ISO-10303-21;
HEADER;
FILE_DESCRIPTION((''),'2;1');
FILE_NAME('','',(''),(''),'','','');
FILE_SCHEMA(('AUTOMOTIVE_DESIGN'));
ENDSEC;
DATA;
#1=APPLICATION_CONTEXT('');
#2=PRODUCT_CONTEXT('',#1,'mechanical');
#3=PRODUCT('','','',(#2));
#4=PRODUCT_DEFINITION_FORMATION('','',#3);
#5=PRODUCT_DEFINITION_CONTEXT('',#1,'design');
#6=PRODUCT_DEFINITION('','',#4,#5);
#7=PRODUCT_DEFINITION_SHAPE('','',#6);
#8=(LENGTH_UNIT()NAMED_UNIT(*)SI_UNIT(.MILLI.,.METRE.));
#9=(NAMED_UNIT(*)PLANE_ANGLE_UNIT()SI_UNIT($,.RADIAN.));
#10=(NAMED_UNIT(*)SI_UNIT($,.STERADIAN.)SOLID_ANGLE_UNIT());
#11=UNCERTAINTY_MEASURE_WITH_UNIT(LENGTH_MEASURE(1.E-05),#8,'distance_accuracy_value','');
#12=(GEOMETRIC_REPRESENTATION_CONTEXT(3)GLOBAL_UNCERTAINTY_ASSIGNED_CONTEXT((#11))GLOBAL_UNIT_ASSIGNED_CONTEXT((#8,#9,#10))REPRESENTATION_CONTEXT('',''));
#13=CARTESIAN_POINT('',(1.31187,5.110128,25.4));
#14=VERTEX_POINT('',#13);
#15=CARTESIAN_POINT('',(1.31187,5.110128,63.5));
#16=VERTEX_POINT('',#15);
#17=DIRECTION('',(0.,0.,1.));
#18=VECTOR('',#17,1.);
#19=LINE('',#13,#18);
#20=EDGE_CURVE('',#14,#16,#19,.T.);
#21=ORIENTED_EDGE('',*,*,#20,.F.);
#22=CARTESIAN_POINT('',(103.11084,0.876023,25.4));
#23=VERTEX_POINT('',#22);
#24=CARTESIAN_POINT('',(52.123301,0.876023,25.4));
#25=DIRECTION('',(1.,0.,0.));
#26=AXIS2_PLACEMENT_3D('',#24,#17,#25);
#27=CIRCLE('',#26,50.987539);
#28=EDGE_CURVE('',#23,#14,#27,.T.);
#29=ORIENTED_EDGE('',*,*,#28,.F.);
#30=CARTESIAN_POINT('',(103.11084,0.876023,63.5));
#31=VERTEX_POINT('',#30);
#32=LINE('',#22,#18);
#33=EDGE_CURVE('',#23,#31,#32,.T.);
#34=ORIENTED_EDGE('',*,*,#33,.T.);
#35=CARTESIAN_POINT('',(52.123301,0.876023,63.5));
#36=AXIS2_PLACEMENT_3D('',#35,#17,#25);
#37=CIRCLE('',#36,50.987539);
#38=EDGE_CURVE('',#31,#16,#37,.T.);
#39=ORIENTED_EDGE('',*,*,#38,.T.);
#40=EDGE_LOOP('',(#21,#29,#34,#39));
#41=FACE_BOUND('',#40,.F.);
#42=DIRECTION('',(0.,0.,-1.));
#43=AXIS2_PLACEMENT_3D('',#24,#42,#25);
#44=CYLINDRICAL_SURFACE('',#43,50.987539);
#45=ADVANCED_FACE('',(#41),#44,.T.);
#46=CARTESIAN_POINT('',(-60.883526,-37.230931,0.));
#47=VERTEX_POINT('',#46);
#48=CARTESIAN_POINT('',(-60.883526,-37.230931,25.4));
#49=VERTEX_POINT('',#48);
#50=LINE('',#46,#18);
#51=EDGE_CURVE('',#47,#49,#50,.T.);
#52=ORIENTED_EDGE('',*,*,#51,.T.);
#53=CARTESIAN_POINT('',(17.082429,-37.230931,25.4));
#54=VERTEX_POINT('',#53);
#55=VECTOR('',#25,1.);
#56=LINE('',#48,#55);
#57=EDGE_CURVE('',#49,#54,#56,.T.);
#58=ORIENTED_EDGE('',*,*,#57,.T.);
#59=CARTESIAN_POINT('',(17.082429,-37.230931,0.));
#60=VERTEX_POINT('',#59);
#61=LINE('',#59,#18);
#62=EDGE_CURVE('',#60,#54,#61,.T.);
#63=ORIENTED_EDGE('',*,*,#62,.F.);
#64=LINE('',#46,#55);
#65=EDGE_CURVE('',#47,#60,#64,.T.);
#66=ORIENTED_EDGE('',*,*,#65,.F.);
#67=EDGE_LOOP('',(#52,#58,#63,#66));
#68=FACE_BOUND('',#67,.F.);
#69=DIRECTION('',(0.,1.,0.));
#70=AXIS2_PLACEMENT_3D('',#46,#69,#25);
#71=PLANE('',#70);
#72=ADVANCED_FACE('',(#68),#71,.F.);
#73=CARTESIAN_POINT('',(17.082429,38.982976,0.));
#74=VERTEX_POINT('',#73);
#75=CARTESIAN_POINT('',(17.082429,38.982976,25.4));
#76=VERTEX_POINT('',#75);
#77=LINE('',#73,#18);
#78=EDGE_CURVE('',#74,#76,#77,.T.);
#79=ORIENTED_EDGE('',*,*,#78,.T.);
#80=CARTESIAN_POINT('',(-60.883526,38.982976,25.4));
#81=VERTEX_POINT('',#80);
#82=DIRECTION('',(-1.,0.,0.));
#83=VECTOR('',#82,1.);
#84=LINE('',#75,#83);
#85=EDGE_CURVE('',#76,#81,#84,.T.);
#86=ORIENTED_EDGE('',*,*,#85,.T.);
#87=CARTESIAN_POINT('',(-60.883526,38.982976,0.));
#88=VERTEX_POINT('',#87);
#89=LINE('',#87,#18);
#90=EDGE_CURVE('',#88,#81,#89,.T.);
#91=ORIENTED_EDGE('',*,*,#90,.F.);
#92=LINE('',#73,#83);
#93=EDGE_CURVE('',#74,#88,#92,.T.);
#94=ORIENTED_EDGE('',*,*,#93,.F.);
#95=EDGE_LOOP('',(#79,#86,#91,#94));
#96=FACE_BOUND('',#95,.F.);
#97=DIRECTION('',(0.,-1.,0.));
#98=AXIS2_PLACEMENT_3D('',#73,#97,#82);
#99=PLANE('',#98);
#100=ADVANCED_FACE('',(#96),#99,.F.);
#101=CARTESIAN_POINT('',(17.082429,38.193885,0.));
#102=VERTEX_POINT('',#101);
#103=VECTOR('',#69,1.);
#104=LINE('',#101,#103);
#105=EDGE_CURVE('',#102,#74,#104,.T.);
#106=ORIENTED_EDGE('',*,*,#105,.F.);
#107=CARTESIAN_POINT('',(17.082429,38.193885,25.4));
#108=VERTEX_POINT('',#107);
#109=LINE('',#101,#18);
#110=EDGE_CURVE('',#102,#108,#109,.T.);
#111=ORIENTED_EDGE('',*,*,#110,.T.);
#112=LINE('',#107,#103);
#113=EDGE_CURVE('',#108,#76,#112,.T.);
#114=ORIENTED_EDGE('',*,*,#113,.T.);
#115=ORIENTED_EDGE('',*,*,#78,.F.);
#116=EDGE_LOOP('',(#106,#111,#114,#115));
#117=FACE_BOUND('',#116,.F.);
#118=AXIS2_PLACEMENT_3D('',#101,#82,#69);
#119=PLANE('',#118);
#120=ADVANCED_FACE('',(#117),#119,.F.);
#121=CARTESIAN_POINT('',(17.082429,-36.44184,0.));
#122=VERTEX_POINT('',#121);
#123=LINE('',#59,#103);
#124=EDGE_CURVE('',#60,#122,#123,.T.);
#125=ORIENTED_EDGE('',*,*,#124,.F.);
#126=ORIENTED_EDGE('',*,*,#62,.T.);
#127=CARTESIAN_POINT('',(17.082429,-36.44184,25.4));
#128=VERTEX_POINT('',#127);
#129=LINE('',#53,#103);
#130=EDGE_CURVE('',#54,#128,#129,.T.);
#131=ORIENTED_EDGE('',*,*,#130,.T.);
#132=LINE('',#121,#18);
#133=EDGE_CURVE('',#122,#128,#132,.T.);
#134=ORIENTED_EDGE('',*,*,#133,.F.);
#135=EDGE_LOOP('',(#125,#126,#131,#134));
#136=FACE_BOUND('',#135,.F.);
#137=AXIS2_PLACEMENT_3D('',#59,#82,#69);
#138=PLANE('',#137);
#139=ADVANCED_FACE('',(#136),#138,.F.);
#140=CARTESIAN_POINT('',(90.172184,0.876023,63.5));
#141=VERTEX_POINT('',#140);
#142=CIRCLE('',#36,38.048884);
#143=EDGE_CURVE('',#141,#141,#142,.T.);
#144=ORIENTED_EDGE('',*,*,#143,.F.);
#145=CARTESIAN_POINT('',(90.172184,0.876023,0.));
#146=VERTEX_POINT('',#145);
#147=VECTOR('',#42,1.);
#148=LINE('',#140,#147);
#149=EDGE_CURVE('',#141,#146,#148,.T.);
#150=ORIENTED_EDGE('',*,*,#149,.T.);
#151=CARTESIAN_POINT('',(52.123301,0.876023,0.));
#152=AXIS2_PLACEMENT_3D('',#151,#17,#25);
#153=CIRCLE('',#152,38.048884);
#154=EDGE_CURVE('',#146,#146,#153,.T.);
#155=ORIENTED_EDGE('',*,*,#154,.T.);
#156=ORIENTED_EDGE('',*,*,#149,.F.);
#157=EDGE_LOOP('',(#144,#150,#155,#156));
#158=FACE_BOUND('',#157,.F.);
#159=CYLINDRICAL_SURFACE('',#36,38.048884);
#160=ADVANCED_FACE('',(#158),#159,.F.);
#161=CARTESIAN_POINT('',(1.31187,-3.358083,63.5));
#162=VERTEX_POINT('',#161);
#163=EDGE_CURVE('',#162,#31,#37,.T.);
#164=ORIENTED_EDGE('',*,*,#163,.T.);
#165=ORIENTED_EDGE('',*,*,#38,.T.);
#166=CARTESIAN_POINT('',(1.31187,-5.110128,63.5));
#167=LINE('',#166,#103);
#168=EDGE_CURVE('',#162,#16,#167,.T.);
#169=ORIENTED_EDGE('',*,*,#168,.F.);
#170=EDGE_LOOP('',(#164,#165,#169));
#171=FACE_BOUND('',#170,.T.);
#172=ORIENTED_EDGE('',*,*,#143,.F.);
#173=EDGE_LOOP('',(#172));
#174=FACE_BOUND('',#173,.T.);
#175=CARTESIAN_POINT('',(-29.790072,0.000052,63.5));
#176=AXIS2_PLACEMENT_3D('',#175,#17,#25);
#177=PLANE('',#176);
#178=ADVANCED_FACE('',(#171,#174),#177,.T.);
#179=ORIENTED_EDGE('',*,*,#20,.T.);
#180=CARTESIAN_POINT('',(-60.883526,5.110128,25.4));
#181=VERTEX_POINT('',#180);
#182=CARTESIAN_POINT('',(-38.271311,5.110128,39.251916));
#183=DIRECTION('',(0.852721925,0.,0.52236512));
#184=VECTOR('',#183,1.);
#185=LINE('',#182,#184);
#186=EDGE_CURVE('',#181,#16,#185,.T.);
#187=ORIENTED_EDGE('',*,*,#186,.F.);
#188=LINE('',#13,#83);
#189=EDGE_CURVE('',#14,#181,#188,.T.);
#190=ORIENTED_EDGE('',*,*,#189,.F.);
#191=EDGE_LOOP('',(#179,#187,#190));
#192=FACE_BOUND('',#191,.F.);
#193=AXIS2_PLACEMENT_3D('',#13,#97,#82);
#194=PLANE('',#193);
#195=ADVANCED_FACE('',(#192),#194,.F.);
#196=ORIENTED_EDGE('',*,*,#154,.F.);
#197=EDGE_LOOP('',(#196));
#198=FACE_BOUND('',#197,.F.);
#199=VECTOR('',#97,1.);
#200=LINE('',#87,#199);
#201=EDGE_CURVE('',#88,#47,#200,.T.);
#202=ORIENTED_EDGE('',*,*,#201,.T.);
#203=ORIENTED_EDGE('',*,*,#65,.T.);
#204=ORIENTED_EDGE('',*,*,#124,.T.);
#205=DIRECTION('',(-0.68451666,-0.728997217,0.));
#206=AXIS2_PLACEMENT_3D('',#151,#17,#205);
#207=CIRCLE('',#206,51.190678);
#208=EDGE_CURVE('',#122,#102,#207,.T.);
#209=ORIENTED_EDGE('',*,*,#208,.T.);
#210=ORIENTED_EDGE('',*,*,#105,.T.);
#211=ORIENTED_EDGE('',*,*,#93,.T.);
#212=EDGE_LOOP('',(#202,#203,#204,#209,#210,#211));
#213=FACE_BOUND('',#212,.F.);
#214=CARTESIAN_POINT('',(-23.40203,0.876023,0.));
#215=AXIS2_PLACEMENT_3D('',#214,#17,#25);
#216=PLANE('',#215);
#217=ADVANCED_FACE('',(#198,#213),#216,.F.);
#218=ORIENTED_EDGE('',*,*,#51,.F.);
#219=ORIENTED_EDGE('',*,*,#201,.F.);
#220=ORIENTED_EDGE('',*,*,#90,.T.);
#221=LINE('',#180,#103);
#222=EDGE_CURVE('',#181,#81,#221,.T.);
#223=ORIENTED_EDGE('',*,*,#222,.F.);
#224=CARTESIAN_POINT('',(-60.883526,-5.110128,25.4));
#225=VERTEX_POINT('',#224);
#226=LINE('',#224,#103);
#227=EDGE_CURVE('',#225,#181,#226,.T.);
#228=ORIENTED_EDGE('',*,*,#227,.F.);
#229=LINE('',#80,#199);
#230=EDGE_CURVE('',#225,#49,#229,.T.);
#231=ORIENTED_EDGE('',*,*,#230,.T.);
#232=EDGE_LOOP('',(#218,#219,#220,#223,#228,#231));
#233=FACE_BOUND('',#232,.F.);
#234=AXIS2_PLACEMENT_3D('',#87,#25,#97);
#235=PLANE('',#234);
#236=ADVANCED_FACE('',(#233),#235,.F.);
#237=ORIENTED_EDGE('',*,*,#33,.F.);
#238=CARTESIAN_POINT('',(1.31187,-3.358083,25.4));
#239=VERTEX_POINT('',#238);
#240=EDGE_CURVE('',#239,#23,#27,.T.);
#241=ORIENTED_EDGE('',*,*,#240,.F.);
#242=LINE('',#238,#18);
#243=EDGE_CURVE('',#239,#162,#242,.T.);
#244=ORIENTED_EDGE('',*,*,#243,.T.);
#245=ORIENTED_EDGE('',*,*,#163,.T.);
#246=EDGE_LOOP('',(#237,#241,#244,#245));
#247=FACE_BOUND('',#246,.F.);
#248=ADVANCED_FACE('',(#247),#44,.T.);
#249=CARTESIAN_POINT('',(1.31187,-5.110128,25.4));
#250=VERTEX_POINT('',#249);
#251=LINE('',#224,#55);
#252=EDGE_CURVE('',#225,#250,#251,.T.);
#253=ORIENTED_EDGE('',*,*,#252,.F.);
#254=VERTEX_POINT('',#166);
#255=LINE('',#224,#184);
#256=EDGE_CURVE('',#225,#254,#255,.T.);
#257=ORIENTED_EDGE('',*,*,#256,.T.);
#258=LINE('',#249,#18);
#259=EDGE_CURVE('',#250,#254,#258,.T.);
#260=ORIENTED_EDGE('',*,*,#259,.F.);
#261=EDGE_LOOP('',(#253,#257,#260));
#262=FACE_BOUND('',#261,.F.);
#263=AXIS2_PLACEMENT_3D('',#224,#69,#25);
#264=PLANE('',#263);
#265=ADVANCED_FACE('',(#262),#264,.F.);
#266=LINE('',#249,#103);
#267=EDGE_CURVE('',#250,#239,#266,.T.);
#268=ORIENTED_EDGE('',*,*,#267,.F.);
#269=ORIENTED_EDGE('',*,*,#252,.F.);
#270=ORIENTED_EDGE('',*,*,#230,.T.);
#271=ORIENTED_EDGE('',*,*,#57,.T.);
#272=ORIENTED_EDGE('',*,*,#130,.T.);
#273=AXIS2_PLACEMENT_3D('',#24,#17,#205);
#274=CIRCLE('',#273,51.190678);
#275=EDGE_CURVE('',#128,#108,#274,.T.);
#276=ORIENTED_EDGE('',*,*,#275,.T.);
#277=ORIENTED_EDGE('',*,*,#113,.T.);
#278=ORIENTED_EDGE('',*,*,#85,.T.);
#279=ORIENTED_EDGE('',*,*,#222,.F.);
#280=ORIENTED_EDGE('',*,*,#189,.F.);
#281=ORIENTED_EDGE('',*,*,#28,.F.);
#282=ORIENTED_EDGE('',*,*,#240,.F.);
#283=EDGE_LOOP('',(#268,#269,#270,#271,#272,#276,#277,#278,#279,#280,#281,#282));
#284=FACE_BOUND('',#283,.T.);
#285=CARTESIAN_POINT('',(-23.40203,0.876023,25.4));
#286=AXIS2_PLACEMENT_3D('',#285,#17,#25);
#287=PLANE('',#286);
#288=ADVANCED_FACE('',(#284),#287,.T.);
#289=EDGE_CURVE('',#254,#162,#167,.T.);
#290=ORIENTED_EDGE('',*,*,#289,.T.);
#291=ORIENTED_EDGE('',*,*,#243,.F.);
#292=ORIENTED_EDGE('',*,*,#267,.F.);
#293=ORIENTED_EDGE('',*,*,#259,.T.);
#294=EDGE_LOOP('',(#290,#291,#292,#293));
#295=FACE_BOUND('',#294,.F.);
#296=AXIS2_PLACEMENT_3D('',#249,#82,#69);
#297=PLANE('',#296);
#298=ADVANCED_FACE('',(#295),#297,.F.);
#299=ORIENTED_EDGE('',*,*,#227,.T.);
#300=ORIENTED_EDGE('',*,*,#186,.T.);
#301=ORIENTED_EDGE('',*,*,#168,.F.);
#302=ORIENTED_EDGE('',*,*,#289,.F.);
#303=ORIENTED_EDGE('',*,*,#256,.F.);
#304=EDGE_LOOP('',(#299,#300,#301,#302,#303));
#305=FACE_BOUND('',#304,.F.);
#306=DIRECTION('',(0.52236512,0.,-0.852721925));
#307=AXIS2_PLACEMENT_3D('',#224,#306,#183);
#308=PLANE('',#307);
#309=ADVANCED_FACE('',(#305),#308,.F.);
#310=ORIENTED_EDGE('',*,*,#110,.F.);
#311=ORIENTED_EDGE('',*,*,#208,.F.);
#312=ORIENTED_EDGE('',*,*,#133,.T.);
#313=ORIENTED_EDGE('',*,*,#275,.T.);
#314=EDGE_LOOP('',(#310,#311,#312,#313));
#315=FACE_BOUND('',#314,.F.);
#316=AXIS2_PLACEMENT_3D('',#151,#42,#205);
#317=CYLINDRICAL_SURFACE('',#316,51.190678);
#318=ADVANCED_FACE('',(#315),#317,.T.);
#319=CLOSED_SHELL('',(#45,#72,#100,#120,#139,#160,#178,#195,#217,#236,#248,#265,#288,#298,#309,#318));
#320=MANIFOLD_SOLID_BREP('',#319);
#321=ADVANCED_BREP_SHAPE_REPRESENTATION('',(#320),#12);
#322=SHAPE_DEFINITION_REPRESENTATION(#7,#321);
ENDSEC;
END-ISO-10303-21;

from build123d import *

# Parameters (mm, degrees)
F1_DEPTH = 25.4
F2_R     = 50.9875391609
F3_DEPTH = 38.1
F5_DEPTH = 38.1
F7_DEPTH = 25.4
F8_R     = 38.0488836494
F9_DEPTH = 63.5


with BuildPart() as f1:
    # F0 (on Top) → F1 (new body)
    with BuildSketch(Plane.XY):
        with BuildLine():
            Line((-60.883525759, 38.982976228), (-60.883525759, -37.2309312224))
            Line((-60.883525759, -37.2309312224), (17.0824285597, -37.2309312224))
            Line((17.0824285597, -37.2309312224), (17.0824285597, -36.4418395362))
            ThreePointArc((17.0824285597, -36.4418395362), (0.9326223834, 0.8760225028), (17.0824285597, 38.1938845418))
            Line((17.0824285597, 38.1938845418), (17.0824285597, 38.982976228))
            Line((17.0824285597, 38.982976228), (-60.883525759, 38.982976228))
        make_face()
        with BuildLine():
            Line((17.0824285597, 38.1938845418), (17.0824285597, -36.4418395362))
            ThreePointArc((17.0824285597, -36.4418395362), (72.4545517176, -46.1040347879), (103.313979079, 0.8760225028))
            ThreePointArc((103.313979079, 0.8760225028), (72.4545517176, 47.8560797934), (17.0824285597, 38.1938845418))
        make_face()
        with BuildLine():
            ThreePointArc((17.0824285597, 38.1938845418), (0.9326223834, 0.8760225028), (17.0824285597, -36.4418395362))
            Line((17.0824285597, -36.4418395362), (17.0824285597, 38.1938845418))
        make_face()
    extrude(amount=F1_DEPTH)

    # F2 (on face) → F3 (join)
    with BuildSketch(Plane.XY.offset(25.4)):
        with Locations((52.1233007312, 0.8760225028)):
            Circle(F2_R)
    extrude(amount=F3_DEPTH)

    # F4 (on face) → F5 (join)
    with BuildSketch(Plane.XY.offset(25.4)):
        with BuildLine():
            Line((1.311869915, 5.1101278514), (-60.883525759, 5.1101278514))
            Line((-60.883525759, 5.1101278514), (-60.883525759, -5.1101278514))
            Line((-60.883525759, -5.1101278514), (0, -5.1101278514))
            Line((0, -5.1101278514), (1.311869915, -5.1101278514))
            Line((1.311869915, -5.1101278514), (1.311869915, -3.3580828458))
            ThreePointArc((1.311869915, -3.3580828458), (1.1357615703, 0.8760225028), (1.311869915, 5.1101278514))
        make_face()
    extrude(amount=F5_DEPTH)

    # F6 (on face) → F7 (cut)
    with BuildSketch(Plane.XZ.offset(5.1101278514)):
        Polygon((-60.883525759, 63.5), (-60.883525759, 25.4), (1.311869915, 63.5), align=None)
    extrude(amount=-F7_DEPTH, mode=Mode.SUBTRACT)

    # F8 (on face) → F9 (cut)
    with BuildSketch(Plane.XY.offset(63.5)):
        with Locations((52.1233007312, 0.8760225028)):
            Circle(F8_R)
    extrude(amount=-F9_DEPTH, mode=Mode.SUBTRACT)


solid = f1.part
